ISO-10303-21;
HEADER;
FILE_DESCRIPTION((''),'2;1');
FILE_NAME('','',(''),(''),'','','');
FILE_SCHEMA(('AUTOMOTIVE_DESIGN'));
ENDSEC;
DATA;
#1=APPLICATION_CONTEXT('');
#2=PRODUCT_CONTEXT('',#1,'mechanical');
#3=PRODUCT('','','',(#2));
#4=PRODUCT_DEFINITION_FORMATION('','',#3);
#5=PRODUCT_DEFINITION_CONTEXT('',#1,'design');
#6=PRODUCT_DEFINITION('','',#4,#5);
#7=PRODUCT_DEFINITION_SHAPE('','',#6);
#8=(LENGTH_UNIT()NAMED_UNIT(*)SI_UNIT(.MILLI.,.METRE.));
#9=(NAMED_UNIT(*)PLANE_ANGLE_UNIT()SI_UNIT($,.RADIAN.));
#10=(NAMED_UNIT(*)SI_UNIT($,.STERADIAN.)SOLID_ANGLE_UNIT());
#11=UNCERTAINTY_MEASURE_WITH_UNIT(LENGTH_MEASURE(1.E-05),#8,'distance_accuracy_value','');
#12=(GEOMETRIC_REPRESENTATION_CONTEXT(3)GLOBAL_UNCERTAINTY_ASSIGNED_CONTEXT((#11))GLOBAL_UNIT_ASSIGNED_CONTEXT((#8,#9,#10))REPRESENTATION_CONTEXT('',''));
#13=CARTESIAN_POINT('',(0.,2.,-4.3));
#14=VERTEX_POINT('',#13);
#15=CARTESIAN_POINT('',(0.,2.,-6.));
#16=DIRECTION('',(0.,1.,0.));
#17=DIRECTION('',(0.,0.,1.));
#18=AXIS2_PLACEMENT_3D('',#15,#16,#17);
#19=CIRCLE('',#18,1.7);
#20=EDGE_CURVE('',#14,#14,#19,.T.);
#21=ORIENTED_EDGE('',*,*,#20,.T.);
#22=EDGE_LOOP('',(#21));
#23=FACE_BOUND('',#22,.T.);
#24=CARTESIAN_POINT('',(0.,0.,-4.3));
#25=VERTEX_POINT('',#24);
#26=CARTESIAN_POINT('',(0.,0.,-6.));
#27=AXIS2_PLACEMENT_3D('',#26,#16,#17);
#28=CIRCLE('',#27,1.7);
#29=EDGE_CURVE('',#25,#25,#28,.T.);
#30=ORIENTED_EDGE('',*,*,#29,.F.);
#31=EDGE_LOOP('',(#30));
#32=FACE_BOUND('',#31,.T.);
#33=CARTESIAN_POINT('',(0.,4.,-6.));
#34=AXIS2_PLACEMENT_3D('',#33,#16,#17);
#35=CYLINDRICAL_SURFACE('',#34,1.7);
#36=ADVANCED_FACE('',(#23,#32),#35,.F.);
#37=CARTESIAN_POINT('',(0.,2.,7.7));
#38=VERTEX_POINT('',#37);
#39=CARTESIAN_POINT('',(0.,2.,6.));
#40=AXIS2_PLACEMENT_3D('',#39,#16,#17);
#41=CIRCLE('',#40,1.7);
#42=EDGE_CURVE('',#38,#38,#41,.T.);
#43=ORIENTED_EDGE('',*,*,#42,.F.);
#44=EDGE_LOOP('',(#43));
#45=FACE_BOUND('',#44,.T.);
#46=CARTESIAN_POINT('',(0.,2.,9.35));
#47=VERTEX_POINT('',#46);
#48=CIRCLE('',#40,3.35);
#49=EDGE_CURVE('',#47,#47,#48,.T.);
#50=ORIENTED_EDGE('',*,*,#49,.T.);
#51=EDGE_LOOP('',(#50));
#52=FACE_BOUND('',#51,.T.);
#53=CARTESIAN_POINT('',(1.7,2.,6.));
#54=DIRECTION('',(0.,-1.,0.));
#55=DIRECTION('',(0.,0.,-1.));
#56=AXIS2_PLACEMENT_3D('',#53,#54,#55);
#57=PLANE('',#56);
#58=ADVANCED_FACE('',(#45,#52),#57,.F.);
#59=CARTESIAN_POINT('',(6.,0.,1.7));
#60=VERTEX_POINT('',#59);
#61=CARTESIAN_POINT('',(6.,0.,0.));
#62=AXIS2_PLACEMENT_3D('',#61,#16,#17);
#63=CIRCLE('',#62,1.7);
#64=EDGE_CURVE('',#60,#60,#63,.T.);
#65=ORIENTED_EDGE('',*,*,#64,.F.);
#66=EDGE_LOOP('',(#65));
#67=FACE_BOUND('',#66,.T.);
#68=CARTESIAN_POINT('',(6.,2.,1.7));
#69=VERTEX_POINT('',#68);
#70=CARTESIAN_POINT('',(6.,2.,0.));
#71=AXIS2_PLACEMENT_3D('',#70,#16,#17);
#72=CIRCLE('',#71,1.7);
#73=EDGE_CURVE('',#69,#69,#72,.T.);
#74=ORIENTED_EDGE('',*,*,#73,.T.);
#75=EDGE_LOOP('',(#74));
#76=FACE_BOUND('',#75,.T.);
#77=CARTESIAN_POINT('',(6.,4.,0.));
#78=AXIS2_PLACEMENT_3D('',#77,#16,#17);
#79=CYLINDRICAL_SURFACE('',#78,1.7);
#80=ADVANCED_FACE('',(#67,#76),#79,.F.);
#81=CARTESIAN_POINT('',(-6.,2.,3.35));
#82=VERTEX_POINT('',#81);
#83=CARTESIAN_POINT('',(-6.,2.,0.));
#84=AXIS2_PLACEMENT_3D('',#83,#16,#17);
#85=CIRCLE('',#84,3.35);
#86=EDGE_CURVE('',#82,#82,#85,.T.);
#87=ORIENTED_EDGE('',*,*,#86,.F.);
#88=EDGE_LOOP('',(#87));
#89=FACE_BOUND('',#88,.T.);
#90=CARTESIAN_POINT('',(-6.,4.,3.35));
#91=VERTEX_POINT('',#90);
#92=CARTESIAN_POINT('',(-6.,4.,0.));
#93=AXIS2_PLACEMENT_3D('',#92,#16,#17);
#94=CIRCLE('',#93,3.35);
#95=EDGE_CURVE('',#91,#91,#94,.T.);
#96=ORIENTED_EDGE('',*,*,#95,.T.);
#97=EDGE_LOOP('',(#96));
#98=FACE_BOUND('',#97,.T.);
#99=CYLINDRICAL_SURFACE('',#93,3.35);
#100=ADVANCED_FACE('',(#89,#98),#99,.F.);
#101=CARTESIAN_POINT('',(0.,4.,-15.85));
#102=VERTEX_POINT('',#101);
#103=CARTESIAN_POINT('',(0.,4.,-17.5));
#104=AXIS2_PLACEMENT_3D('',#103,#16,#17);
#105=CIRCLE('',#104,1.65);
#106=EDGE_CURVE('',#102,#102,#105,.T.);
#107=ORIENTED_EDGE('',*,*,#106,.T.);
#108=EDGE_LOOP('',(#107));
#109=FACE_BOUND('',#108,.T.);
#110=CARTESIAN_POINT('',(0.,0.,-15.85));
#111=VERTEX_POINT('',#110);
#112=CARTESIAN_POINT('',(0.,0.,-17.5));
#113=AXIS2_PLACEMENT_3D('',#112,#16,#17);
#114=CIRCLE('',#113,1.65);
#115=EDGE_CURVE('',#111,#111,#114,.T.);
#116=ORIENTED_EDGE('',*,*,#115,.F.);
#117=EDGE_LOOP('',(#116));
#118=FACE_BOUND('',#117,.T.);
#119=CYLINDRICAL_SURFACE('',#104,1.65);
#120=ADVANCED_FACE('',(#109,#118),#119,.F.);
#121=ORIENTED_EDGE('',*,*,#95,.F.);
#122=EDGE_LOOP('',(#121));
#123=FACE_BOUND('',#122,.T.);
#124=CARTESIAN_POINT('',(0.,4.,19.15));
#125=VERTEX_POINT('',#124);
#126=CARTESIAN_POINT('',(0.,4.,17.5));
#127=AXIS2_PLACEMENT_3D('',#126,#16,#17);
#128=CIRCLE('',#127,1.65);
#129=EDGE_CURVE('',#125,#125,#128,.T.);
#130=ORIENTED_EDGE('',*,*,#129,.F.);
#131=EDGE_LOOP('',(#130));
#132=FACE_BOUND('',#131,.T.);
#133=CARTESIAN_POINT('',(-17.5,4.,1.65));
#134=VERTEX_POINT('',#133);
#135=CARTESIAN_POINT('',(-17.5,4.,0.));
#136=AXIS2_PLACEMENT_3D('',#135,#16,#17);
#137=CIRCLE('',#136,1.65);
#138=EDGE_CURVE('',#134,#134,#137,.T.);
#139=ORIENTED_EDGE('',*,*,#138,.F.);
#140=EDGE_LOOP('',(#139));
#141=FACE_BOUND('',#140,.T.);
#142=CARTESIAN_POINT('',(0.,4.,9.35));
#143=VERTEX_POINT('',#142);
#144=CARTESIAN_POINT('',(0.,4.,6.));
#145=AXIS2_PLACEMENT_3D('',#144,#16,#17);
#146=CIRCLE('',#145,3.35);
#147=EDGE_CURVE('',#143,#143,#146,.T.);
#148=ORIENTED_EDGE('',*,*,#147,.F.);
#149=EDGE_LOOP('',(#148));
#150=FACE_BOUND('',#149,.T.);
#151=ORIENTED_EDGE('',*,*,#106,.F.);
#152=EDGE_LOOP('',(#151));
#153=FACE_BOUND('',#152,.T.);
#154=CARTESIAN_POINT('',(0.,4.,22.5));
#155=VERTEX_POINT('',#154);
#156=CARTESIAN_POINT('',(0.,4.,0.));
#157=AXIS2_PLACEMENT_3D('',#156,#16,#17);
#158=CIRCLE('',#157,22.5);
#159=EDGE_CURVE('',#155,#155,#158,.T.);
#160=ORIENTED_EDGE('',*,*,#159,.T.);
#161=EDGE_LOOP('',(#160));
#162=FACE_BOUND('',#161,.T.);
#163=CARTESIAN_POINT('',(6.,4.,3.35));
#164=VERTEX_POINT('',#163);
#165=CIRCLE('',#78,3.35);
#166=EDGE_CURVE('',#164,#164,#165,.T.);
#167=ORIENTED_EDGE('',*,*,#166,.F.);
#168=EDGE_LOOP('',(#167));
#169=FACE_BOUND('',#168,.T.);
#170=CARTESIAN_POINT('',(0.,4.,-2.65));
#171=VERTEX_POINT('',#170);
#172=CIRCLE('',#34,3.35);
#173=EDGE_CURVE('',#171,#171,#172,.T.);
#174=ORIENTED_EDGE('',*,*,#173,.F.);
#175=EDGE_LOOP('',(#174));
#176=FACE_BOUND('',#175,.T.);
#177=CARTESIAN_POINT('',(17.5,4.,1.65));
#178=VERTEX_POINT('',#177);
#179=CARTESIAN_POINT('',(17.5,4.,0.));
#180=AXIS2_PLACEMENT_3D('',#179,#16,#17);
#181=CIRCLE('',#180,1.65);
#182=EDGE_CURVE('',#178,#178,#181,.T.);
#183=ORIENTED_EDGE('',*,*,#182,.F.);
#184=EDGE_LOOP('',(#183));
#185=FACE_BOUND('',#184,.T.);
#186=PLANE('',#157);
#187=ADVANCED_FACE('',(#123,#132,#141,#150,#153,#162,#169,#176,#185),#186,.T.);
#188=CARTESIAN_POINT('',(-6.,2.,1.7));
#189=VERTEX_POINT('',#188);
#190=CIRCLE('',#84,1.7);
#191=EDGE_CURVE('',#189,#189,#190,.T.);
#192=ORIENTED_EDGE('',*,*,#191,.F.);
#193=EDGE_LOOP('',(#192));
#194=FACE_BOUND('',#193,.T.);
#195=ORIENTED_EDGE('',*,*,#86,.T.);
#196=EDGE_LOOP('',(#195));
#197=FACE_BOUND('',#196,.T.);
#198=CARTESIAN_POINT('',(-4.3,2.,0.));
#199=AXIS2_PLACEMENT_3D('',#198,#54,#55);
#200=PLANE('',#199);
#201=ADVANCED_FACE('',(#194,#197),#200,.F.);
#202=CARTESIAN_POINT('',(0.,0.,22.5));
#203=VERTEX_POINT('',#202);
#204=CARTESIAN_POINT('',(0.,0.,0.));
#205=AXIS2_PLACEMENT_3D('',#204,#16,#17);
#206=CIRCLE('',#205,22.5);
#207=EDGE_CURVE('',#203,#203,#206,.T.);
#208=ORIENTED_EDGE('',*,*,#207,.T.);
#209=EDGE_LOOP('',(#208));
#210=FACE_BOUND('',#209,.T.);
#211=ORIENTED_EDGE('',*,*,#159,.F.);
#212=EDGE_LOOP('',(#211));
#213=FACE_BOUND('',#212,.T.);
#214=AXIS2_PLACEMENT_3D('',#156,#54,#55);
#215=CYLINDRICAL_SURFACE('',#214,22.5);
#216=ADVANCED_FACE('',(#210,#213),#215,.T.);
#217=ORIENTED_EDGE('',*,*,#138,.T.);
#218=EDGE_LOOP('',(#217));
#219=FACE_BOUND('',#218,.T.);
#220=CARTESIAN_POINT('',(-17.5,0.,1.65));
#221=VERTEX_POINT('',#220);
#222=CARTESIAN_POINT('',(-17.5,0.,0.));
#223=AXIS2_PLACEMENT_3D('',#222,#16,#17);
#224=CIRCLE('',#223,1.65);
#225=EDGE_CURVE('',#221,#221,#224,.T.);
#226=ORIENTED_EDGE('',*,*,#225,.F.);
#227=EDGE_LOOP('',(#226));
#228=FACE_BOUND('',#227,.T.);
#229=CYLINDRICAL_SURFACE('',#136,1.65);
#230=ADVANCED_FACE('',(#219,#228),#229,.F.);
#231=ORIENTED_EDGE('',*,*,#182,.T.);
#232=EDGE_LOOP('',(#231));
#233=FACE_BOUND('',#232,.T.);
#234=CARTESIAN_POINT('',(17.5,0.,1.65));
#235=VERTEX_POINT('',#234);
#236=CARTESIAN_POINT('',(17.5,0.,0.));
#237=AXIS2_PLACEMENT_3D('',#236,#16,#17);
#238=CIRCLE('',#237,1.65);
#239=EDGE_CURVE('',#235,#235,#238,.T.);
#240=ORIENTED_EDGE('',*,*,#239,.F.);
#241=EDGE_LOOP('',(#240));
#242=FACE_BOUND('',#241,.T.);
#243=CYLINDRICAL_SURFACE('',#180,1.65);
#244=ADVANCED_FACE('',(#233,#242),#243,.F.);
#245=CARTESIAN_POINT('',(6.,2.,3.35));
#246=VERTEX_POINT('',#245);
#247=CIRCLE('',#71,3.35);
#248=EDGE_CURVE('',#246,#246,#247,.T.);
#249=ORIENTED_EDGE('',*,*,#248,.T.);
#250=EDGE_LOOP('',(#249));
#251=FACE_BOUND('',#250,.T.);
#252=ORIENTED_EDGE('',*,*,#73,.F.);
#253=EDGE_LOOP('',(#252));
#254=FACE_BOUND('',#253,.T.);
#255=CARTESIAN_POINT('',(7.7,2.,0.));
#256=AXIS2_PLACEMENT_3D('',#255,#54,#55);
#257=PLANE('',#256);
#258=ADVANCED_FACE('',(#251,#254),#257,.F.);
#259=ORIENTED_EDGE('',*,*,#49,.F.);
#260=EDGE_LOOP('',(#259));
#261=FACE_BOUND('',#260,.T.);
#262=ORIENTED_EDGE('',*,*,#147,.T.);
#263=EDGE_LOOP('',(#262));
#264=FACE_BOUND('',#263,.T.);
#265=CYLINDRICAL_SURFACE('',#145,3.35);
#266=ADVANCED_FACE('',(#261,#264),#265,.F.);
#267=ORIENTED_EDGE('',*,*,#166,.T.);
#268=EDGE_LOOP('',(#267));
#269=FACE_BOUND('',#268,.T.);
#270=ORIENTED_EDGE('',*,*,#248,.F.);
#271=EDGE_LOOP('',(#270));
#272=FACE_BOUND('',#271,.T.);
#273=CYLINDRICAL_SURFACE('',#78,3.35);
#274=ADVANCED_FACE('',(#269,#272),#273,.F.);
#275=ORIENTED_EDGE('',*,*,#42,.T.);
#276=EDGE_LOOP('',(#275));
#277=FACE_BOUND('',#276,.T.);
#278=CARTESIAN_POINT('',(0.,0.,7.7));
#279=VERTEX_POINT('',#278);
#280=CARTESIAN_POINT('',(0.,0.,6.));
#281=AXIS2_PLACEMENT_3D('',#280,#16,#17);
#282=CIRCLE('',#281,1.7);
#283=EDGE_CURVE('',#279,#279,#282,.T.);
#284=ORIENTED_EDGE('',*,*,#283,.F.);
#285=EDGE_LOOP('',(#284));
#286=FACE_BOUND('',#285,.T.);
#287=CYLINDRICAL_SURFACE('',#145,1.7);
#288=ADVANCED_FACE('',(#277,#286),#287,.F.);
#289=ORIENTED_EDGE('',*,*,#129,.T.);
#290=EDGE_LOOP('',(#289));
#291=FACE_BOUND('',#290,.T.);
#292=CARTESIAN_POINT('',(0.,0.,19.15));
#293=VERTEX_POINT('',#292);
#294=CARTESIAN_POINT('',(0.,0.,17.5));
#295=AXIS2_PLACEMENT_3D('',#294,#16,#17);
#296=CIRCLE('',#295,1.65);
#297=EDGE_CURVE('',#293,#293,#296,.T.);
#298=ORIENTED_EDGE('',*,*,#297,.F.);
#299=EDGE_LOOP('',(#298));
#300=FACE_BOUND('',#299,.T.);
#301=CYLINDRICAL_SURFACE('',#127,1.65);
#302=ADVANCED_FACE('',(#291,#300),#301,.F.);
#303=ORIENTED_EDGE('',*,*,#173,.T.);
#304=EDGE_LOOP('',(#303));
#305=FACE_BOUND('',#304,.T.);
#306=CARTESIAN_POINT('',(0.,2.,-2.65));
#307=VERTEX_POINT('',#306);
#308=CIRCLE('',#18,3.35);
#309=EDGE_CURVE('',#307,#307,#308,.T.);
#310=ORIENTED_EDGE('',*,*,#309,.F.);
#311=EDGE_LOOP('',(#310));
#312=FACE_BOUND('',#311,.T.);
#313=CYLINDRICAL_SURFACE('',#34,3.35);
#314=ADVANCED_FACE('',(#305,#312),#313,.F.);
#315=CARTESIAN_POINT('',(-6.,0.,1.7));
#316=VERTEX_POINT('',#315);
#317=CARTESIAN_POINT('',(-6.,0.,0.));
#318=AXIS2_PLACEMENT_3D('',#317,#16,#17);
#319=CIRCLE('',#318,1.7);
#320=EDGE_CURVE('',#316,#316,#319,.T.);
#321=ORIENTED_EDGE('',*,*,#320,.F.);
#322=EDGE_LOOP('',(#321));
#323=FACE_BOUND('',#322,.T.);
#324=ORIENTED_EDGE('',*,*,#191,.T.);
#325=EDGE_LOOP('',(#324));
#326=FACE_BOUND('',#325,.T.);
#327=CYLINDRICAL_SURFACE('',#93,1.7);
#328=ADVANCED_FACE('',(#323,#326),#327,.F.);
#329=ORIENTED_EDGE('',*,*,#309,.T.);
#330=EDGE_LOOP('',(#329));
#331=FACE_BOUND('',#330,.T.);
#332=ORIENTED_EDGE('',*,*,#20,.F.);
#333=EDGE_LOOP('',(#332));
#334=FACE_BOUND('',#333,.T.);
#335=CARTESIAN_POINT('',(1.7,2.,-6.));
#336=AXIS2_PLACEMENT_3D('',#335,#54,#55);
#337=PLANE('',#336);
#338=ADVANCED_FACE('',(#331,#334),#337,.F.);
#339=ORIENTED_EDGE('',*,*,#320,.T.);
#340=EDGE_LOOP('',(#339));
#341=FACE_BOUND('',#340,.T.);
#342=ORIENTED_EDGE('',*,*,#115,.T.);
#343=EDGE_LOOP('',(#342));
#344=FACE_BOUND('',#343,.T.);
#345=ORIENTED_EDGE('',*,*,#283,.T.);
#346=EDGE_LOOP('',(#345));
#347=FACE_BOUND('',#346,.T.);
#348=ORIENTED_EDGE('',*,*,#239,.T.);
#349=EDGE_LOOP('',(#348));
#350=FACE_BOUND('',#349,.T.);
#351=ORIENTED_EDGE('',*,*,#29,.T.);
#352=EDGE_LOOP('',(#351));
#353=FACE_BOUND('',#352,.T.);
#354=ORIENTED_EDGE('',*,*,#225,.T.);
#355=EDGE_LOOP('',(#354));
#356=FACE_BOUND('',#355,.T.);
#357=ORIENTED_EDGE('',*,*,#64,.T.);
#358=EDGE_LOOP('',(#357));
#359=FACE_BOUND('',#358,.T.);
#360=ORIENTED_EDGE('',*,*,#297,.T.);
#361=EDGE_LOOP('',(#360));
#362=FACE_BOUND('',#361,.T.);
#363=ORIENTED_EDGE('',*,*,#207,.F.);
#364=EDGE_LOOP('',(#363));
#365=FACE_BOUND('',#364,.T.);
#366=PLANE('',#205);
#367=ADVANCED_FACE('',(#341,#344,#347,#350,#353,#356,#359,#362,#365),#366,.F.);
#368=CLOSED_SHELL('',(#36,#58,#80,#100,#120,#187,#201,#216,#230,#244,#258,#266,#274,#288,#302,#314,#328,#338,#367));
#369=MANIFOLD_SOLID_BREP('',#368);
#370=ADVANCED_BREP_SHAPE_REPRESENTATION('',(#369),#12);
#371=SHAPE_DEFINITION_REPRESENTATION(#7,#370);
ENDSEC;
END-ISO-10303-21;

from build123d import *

# Parameters (mm, degrees)
SKETCH_1_R                  = 22.5
EXTRUDE_1_DEPTH             = 4
HOLE_WIZARD_M31_D           = 3.4
HOLE_WIZARD_M31_CBORE_D     = 6.7
HOLE_WIZARD_M31_CBORE_DEPTH = 2
M4X0_71_D                   = 3.3


with BuildPart() as part:
    # Эскиз1 → Бобышка-Вытянуть1 (new body)
    with BuildSketch(Plane(origin=(0, 0, 0), x_dir=(1, 0, 0), z_dir=(0, 1, 0))):
        with Locations(Location((0, 0, 0), (0, 0, 270))):
            Circle(SKETCH_1_R)
    extrude(amount=EXTRUDE_1_DEPTH)

    # Цековка для  винта с полукруглой головкой M31 (through all)
    with Locations(Plane(origin=(0, 4, 0), x_dir=(1, 0, 0), z_dir=(0, 1, 0))):
        with Locations((0, 6), (-6, 0), (0, -6), (6, 0)):
            CounterBoreHole(HOLE_WIZARD_M31_D / 2, HOLE_WIZARD_M31_CBORE_D / 2, HOLE_WIZARD_M31_CBORE_DEPTH)

    # Отверстие обработанное метчиком M4x0.71 (through all)
    with Locations(Plane(origin=(0, 4, 0), x_dir=(1, 0, 0), z_dir=(0, 1, 0))):
        with Locations((-17.5, 0), (0, -17.5), (17.5, 0), (0, 17.5)):
            Hole(M4X0_71_D / 2)


solid = part.part
